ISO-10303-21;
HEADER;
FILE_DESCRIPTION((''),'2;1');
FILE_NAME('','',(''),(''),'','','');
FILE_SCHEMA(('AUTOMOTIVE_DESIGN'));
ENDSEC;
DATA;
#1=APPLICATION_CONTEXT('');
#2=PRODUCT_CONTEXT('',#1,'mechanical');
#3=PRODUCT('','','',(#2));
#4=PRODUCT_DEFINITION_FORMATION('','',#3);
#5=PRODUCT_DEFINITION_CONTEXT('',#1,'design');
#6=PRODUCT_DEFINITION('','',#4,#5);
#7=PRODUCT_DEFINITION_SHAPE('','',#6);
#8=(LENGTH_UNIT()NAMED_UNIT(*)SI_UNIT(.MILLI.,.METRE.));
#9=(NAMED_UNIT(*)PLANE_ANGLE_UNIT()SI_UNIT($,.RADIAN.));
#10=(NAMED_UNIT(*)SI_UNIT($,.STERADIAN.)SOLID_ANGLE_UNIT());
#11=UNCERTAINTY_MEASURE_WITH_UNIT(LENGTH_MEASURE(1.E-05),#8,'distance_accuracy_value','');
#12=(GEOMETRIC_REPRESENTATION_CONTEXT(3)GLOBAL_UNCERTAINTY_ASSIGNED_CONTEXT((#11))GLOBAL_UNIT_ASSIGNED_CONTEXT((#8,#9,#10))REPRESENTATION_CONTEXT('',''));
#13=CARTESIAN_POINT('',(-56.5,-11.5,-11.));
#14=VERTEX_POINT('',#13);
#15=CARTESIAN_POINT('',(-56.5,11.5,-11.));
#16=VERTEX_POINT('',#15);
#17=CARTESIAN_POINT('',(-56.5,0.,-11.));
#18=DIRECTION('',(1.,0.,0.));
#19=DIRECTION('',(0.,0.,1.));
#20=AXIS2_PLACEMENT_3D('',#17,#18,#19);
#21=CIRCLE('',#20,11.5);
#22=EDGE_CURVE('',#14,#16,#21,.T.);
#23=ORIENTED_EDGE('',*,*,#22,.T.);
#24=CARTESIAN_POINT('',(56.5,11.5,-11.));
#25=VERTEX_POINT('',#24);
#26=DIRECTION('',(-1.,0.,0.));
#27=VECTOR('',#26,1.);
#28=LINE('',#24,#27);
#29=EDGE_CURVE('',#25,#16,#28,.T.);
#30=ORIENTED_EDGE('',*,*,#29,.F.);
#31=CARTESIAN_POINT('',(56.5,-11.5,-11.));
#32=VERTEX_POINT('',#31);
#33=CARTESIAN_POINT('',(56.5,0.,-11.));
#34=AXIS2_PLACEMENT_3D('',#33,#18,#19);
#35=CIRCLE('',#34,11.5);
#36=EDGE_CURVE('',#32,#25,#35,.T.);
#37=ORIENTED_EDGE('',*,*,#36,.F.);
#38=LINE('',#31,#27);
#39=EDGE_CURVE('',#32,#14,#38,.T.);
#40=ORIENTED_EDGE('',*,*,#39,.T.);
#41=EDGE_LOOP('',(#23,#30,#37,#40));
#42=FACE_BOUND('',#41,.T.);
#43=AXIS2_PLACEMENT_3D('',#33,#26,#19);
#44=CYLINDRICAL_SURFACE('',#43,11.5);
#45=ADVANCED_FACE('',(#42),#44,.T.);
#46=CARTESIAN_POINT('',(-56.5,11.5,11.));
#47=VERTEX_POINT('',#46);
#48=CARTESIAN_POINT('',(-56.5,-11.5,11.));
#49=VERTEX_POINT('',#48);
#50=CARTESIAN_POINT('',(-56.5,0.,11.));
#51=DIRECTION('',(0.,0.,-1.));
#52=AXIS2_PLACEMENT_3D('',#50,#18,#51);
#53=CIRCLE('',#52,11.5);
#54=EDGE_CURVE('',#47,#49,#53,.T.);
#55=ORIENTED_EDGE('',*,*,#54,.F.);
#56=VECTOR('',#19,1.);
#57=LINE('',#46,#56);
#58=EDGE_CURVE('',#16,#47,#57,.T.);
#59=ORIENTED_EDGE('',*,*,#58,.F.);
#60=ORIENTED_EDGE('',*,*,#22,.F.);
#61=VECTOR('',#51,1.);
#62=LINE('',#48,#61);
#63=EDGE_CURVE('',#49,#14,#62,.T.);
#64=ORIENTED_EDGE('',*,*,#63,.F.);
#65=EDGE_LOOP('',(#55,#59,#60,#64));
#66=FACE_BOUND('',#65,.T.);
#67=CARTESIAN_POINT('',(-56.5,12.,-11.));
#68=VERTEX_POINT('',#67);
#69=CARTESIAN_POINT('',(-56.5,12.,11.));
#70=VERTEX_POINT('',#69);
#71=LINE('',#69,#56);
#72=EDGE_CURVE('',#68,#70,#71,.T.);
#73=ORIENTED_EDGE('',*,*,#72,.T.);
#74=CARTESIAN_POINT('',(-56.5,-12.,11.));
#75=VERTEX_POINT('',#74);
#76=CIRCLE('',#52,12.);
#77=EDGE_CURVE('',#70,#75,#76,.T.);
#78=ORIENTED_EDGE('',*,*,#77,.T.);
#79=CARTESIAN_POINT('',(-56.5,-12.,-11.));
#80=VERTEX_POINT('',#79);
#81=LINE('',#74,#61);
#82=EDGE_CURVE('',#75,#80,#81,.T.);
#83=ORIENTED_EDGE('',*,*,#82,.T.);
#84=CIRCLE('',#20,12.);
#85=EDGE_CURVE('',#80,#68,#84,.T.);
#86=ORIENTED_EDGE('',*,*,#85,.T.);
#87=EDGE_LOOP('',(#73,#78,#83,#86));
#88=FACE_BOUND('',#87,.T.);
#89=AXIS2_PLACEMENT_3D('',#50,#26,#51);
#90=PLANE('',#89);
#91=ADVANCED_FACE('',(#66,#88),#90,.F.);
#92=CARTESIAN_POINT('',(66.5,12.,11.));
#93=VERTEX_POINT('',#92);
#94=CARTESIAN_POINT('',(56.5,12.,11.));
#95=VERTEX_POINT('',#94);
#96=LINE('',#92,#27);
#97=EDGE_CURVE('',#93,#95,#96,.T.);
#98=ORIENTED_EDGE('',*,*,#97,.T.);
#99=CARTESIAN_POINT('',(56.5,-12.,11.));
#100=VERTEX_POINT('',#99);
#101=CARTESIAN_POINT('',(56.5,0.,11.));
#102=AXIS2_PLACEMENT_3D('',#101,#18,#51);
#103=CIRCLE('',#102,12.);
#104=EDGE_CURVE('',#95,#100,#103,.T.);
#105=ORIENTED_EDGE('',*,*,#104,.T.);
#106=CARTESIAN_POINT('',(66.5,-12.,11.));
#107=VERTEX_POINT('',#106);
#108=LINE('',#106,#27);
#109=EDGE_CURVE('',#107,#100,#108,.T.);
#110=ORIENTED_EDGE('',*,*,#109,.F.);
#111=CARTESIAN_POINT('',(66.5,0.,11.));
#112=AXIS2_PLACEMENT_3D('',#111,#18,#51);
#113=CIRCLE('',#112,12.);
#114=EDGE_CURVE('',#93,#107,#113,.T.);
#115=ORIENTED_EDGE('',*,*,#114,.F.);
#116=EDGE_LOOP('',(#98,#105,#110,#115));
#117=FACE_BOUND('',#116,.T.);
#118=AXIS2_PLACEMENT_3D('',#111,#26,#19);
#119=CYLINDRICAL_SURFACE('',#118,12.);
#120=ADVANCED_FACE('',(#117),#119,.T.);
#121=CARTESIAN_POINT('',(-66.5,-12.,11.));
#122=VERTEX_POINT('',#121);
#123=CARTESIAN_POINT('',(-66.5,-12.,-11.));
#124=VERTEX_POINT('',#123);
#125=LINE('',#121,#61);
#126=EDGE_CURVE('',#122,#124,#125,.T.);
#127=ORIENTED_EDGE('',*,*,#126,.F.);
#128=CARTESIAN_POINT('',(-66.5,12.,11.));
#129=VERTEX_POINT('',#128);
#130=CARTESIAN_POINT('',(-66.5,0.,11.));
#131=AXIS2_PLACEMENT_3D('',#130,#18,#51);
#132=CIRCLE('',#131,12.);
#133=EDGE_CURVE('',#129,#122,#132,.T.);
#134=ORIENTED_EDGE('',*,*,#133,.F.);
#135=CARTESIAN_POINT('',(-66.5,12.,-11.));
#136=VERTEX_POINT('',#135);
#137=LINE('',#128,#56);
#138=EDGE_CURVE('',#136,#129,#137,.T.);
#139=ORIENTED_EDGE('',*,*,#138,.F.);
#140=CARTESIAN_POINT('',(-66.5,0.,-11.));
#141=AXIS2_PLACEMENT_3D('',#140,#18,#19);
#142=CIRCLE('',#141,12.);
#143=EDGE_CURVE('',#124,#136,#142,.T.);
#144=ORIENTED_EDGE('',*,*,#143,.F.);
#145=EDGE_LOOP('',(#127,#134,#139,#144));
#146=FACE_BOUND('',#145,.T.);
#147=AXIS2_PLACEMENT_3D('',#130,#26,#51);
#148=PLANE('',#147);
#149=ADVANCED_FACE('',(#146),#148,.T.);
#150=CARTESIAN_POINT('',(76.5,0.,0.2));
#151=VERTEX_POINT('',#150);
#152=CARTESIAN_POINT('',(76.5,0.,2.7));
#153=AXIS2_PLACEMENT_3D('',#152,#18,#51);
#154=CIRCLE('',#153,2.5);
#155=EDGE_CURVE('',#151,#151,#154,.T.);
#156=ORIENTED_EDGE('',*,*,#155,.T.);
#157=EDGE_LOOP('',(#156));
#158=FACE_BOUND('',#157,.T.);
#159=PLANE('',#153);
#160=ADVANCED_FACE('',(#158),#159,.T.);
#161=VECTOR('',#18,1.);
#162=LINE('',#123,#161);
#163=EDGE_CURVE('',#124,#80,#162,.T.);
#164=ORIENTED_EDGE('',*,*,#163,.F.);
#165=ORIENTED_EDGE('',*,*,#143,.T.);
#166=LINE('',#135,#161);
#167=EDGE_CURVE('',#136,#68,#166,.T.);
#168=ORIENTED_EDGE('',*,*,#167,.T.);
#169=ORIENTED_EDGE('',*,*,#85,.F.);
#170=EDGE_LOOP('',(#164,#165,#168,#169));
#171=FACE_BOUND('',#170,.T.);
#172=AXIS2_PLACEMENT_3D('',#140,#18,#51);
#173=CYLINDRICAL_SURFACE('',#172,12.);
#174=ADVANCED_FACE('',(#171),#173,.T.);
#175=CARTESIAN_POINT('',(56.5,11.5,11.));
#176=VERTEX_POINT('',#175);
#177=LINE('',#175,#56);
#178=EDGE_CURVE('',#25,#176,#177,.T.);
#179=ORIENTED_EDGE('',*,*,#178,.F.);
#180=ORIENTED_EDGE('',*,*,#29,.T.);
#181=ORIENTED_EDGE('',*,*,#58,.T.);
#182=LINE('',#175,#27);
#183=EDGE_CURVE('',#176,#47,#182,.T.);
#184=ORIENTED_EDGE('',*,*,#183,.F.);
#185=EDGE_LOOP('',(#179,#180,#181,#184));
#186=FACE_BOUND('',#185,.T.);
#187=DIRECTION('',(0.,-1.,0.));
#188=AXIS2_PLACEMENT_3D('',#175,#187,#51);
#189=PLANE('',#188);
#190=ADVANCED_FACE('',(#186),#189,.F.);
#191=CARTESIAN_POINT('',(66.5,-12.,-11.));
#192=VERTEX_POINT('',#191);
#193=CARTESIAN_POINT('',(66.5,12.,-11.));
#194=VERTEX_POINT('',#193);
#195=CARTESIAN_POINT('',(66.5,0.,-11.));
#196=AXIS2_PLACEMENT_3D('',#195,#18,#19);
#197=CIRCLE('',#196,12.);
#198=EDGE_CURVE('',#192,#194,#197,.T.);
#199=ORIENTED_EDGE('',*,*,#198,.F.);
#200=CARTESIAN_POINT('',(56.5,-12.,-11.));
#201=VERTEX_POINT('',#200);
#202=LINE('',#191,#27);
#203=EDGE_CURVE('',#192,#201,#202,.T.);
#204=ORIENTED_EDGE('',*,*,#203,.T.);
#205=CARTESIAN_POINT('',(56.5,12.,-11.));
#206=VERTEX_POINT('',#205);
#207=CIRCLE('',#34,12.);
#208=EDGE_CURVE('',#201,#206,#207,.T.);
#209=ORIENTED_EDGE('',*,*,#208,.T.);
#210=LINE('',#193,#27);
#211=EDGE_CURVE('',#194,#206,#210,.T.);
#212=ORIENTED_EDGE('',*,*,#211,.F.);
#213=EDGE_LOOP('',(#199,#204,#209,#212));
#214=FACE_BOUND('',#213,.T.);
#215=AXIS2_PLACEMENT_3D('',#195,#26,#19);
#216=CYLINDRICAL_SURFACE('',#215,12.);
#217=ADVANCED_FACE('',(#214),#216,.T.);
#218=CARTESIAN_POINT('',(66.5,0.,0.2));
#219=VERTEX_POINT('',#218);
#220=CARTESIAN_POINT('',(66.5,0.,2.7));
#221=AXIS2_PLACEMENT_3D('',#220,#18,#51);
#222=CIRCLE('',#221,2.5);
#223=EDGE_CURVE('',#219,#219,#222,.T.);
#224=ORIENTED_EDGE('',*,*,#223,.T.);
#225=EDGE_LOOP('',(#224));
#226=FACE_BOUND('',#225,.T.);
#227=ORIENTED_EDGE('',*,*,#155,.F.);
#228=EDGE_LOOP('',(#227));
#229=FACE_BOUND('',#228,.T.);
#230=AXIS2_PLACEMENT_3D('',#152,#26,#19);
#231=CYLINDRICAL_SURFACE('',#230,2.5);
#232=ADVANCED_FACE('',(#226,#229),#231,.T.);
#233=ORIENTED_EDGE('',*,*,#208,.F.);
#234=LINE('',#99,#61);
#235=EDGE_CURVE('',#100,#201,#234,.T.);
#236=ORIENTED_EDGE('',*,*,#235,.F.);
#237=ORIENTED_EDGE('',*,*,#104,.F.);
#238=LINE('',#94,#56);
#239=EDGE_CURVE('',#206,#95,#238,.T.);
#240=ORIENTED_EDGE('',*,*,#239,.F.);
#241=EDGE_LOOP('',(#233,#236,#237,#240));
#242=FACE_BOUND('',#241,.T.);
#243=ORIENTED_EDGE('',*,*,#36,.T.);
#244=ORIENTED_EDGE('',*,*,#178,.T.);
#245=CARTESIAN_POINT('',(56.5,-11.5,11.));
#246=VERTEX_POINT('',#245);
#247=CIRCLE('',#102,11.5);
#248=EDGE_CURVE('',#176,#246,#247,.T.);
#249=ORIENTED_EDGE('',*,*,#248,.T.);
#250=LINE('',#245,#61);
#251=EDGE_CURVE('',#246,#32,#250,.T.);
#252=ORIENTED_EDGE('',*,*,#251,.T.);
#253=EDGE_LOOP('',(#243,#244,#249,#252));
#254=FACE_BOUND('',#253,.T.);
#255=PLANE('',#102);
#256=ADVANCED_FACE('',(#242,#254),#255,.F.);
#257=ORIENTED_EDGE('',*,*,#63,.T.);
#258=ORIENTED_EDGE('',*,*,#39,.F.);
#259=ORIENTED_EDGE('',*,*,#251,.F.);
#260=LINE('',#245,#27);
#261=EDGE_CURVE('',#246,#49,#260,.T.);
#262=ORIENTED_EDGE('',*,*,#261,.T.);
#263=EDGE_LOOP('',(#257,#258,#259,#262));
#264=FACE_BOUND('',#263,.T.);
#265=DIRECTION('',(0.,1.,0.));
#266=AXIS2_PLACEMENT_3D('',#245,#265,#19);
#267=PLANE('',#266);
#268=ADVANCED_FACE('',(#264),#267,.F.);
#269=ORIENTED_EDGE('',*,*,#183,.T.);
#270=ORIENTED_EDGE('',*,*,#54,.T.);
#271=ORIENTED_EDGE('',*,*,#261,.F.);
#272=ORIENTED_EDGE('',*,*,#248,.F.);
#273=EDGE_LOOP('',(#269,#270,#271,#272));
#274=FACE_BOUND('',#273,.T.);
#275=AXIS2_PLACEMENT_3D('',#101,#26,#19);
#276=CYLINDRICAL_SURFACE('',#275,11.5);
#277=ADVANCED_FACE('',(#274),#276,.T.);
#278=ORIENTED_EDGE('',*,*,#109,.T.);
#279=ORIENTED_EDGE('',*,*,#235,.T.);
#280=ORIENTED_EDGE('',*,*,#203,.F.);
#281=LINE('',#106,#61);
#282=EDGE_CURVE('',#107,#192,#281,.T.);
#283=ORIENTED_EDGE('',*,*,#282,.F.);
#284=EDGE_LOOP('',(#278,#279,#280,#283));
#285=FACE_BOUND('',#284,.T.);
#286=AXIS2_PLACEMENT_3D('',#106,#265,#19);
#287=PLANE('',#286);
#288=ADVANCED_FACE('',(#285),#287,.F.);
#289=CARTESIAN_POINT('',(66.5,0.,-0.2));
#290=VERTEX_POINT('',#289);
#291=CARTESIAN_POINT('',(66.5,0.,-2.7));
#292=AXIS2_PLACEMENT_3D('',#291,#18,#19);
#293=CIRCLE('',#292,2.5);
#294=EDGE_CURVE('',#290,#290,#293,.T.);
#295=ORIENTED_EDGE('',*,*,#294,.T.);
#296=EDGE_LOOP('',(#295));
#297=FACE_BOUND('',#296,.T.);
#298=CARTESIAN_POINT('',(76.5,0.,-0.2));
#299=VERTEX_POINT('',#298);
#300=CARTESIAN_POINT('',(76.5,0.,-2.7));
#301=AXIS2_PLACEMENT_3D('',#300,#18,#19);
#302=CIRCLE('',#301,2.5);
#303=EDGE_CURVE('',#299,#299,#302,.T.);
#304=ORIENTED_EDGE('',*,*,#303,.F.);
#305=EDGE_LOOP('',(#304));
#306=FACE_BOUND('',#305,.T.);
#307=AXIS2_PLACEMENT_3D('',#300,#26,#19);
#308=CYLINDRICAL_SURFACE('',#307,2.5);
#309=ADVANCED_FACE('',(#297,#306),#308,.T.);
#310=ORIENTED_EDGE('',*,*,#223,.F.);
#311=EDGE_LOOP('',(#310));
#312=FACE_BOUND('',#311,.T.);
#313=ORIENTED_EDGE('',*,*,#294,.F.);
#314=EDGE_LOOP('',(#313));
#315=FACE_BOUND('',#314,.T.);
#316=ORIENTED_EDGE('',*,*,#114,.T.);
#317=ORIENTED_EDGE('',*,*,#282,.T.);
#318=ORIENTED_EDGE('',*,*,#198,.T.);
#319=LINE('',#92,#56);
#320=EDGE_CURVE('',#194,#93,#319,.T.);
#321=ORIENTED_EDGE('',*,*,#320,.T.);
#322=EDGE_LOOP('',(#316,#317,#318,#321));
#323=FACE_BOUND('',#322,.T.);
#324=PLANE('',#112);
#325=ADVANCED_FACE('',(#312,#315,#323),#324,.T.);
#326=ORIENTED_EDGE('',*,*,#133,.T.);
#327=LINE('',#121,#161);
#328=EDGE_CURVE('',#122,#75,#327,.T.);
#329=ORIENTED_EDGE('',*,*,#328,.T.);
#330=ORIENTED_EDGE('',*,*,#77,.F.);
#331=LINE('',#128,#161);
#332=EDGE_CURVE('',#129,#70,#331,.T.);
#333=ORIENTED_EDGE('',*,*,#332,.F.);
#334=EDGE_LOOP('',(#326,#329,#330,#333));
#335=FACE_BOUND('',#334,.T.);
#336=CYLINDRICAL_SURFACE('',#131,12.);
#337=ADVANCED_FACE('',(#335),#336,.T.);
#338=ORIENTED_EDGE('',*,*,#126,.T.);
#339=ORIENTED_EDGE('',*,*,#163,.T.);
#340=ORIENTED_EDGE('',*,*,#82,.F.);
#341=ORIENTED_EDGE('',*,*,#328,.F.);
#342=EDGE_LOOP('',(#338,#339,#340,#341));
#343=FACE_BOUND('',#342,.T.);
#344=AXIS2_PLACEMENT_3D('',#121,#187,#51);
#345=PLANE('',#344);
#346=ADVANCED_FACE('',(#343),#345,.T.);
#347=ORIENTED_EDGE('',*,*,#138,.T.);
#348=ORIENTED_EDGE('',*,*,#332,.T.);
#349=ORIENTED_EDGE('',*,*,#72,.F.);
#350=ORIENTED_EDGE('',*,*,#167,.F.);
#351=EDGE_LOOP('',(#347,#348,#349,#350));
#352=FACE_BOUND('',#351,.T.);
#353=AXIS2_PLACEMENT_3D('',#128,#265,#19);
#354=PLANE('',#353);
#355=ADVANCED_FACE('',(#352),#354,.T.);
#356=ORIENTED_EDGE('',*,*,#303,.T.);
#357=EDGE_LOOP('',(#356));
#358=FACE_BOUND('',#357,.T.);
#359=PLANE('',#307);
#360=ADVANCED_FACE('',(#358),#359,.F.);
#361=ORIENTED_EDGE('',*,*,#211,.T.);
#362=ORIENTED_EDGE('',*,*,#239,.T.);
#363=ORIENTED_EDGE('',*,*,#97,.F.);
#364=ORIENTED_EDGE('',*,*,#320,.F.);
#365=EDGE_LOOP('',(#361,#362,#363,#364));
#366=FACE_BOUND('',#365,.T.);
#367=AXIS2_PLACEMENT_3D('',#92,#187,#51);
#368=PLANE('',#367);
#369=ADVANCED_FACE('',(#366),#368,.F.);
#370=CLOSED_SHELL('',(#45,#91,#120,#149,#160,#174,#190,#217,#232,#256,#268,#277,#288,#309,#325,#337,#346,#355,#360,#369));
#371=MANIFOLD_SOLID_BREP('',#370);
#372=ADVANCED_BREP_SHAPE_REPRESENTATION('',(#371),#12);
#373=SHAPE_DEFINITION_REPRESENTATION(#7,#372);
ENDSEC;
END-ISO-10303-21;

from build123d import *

# Parameters (mm, degrees)
BOSS_EXTRUDE1_DEPTH = 56.5
BOSS_EXTRUDE2_DEPTH = 10
SKETCH3_R           = 2.5
BOSS_EXTRUDE3_DEPTH = 10


with BuildPart() as part:
    # Sketch1 → Boss-Extrude1 (new body, symmetric)
    with BuildSketch(Plane(origin=(0, 0, 0), x_dir=(0, 0, -1), z_dir=(1, 0, 0))):
        with BuildLine():
            Line((-11, 11.5), (11, 11.5))
            ThreePointArc((11, 11.5), (22.5, 0), (11, -11.5))
            Line((11, -11.5), (-11, -11.5))
            ThreePointArc((-11, -11.5), (-22.5, 0), (-11, 11.5))
        make_face()
    extrude(amount=BOSS_EXTRUDE1_DEPTH, both=True)

    # Sketch2 → Boss-Extrude2 (add)
    with BuildSketch(Plane(origin=(56.5, 0, 0), x_dir=(0, 0, -1), z_dir=(1, 0, 0))):
        with BuildLine():
            Line((-11, 12), (11, 12))
            ThreePointArc((11, 12), (23, 0), (11, -12))
            Line((11, -12), (-11, -12))
            ThreePointArc((-11, -12), (-23, 0), (-11, 12))
        make_face()
    boss_extrude2 = extrude(amount=BOSS_EXTRUDE2_DEPTH)

    # Mirror1: Boss-Extrude2 across plane
    add(boss_extrude2.mirror(Plane(origin=(0, 0, 0), x_dir=(0, 0, 1), z_dir=(1, 0, 0))))

    # Sketch3 → Boss-Extrude3 (add)
    with BuildSketch(Plane(origin=(66.5, 0, 0), x_dir=(0, 0, -1), z_dir=(1, 0, 0))):
        with Locations((-2.7, 0)):
            Circle(SKETCH3_R)
        with Locations((2.7, 0)):
            Circle(SKETCH3_R)
    extrude(amount=BOSS_EXTRUDE3_DEPTH)


solid = part.part
